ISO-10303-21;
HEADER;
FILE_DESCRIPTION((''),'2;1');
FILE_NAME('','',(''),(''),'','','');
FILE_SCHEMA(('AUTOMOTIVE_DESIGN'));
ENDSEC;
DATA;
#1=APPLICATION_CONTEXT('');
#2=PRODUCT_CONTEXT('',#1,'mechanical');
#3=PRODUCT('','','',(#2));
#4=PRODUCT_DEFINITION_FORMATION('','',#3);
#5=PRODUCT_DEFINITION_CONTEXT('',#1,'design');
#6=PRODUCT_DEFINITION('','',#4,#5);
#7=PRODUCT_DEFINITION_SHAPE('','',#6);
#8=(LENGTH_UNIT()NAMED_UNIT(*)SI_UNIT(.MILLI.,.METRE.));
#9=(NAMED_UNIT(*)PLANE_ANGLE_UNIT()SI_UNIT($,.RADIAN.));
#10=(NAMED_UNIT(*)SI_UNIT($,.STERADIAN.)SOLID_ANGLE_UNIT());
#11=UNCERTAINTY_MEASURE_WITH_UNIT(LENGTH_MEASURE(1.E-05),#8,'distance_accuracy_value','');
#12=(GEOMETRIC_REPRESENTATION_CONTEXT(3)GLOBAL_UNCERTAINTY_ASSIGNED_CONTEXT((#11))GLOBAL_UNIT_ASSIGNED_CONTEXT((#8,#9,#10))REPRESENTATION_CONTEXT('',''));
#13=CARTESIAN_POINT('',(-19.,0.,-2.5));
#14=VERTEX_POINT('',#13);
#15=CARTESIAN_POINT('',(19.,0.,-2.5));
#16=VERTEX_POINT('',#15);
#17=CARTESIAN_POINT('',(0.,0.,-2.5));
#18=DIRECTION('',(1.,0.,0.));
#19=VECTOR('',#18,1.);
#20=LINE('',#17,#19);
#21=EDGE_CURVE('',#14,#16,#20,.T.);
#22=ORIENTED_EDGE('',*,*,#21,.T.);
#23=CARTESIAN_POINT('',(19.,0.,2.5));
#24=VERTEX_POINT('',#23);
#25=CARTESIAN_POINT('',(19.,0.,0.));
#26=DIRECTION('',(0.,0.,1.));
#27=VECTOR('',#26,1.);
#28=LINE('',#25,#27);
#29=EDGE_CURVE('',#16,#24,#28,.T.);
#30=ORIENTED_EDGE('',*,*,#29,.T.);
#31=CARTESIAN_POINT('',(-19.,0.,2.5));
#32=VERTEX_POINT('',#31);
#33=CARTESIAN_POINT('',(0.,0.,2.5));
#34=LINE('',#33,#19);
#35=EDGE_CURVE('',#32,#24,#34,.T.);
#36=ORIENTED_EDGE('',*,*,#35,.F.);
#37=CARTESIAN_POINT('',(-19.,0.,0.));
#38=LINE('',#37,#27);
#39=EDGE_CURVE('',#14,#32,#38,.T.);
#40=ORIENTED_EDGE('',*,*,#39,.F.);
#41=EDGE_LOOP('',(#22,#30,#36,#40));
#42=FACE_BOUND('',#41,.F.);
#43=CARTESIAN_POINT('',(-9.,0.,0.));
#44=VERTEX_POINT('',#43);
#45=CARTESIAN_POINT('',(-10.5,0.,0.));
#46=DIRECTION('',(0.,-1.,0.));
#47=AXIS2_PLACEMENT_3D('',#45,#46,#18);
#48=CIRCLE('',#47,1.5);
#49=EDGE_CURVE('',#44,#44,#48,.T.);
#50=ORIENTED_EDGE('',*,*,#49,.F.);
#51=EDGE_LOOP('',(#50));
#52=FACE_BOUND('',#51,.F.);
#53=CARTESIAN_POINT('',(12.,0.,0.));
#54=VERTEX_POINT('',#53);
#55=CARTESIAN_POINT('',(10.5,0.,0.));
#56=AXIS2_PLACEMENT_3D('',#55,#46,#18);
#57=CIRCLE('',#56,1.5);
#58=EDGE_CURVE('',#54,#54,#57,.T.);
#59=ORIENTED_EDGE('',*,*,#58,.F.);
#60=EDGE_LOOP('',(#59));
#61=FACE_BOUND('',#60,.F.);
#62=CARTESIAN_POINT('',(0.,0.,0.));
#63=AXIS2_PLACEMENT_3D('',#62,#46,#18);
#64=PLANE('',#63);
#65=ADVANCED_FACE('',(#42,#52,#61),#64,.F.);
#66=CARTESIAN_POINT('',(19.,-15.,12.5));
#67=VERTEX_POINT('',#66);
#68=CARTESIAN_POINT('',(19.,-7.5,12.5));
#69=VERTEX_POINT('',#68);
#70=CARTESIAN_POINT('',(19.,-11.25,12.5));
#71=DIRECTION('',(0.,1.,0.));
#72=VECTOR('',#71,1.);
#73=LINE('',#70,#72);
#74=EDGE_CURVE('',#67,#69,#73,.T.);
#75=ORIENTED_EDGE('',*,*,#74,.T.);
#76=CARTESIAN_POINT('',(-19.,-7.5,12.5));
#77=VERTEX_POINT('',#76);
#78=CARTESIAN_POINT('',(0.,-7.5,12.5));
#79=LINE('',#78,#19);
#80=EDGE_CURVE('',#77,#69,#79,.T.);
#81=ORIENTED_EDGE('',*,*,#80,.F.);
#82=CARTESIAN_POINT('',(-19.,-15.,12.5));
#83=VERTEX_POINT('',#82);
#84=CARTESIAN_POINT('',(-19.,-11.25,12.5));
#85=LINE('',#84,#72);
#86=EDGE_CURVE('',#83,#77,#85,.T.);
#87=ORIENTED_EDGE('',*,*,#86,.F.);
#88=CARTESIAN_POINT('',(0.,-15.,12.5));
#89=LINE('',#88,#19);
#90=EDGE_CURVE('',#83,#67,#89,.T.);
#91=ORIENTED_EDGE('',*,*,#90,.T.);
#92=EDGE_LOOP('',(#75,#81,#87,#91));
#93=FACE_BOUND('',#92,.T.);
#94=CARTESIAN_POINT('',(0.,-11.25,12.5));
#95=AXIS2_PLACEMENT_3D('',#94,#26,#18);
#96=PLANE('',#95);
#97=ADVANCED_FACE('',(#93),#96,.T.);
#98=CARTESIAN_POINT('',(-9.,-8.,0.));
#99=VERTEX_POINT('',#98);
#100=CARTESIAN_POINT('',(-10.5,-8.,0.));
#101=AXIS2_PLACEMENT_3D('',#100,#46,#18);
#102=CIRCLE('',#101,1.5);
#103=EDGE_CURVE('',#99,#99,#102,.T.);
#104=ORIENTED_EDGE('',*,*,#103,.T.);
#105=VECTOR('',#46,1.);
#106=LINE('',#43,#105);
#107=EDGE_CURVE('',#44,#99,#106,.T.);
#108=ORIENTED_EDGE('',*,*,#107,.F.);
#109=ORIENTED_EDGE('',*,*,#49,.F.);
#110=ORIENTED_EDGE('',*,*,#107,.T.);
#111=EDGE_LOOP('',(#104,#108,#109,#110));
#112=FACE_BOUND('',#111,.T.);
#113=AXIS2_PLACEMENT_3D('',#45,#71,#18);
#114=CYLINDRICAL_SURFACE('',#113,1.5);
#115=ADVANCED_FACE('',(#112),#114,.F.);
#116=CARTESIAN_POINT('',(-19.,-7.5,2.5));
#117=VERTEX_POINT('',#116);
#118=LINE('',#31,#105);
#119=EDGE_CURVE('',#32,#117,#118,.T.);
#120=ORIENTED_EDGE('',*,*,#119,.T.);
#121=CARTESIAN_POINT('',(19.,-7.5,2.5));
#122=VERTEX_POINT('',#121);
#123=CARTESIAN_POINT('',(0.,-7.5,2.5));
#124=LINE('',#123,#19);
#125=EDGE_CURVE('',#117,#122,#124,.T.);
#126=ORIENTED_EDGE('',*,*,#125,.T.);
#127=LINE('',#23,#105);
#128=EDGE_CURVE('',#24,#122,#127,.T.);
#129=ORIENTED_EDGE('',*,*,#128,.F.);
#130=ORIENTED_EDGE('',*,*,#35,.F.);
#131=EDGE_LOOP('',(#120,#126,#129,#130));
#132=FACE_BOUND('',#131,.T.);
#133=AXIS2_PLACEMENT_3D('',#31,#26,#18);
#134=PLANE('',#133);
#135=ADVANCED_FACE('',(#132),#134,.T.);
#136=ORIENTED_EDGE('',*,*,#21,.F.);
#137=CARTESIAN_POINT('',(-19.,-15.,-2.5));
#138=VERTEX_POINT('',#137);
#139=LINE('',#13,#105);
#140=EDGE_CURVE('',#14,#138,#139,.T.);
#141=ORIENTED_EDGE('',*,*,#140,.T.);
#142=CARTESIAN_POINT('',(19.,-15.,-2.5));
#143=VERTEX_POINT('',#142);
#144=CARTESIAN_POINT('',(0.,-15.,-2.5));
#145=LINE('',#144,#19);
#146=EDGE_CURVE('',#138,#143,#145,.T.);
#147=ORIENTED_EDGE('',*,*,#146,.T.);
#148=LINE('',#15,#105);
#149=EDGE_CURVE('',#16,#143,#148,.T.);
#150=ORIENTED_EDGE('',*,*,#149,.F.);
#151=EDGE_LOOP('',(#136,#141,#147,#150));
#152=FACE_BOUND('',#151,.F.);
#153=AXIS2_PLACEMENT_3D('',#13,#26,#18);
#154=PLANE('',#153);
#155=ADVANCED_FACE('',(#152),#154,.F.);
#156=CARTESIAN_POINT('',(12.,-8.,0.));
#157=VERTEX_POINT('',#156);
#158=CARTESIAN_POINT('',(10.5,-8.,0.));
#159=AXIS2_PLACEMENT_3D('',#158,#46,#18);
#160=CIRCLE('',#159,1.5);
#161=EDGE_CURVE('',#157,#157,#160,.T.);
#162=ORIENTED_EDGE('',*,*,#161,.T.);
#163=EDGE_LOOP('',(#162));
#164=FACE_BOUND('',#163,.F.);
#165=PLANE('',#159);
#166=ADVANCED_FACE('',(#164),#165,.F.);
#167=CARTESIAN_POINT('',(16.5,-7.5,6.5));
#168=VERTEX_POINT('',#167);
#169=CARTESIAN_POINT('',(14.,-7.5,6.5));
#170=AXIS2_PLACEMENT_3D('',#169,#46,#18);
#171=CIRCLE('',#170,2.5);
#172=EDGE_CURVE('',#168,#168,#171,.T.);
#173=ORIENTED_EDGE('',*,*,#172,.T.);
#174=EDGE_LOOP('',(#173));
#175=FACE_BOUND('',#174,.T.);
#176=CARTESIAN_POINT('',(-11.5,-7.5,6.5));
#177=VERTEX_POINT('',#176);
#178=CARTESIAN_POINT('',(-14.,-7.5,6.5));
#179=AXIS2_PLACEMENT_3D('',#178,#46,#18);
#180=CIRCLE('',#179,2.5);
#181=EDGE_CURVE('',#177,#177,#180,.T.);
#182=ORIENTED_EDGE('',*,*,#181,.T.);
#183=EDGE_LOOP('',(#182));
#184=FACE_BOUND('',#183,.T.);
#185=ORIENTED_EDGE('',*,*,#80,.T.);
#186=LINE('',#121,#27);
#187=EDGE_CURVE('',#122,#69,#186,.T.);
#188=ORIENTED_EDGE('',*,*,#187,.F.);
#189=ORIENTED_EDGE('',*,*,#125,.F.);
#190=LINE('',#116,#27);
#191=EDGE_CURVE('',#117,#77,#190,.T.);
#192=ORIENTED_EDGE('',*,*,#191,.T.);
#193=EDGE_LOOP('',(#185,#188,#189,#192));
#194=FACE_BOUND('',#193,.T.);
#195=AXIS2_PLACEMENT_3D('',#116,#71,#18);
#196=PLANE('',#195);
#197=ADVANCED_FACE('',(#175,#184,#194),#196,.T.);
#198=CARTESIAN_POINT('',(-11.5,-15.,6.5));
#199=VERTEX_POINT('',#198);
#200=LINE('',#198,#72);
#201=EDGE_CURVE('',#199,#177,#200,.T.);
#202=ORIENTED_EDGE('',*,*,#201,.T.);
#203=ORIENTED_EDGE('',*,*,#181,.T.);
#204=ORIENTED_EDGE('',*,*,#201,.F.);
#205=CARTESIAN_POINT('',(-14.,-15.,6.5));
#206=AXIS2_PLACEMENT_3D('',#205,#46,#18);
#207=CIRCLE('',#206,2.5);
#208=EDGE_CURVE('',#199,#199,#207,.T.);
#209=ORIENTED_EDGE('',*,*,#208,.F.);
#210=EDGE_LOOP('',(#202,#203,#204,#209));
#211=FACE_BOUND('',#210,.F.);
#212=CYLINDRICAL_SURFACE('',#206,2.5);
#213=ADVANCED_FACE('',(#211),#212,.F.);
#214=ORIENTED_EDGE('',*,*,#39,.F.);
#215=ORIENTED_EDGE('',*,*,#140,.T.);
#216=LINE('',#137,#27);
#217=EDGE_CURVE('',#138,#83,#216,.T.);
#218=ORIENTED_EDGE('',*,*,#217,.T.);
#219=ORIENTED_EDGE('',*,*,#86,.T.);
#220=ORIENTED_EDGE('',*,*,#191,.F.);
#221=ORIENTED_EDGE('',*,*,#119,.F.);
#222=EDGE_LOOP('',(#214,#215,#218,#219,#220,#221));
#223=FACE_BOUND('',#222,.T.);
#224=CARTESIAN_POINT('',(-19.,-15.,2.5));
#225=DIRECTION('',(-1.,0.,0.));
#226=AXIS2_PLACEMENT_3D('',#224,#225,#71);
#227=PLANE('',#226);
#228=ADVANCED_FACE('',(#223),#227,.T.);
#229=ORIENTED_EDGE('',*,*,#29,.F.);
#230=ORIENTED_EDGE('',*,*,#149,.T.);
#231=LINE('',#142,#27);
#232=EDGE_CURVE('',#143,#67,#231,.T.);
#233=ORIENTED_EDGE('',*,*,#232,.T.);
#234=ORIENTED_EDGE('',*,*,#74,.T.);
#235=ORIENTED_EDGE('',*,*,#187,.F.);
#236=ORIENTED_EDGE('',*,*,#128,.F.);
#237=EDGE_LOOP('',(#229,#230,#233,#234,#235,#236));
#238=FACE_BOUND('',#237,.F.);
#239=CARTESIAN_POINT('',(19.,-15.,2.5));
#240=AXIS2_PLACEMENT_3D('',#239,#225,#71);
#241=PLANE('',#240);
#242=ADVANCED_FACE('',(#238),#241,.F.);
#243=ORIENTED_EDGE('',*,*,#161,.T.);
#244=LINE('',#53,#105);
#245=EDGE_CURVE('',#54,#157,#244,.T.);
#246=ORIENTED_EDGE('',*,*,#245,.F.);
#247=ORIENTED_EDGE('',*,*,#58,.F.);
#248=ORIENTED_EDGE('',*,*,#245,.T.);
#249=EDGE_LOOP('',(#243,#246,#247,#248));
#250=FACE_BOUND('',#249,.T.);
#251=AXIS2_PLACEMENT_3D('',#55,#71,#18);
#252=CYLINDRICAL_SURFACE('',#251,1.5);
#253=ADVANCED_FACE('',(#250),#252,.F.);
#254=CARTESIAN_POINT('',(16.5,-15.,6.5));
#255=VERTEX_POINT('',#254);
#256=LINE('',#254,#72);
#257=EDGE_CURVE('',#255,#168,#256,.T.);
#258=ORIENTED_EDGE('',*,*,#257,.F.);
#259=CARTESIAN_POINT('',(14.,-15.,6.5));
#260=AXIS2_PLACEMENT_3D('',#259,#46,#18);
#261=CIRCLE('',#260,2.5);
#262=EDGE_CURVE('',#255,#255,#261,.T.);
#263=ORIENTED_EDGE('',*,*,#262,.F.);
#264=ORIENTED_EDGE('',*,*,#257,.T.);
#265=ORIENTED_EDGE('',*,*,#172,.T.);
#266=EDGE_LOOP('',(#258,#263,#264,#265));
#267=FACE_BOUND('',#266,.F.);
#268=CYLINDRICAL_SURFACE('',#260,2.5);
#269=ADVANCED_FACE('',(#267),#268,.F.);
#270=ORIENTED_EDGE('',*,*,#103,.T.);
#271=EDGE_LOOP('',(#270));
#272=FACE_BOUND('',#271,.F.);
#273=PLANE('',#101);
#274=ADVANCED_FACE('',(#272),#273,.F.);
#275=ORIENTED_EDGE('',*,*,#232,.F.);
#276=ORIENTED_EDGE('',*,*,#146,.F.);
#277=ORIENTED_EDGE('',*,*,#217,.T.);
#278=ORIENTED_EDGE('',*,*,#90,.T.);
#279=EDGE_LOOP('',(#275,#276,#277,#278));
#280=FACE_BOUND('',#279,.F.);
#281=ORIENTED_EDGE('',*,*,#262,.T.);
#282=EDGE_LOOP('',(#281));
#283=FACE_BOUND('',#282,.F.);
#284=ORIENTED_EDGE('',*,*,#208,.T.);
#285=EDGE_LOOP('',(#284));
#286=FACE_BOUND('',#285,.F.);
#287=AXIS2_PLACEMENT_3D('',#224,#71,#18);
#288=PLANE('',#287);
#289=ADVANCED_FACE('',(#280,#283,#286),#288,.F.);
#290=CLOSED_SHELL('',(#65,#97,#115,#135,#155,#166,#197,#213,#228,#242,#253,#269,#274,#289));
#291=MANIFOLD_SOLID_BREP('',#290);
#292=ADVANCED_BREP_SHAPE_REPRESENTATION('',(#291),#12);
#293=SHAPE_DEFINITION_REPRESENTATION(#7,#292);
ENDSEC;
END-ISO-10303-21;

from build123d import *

# Parameters (mm, degrees)
F0_W     = 38
F0_H     = 5
F1_DEPTH = 15
F2_R     = 1.5
F3_DEPTH = 8
F4_W     = 38
F4_H     = 7.5
F5_DEPTH = 10
F6_R     = 2.5
F7_DEPTH = 10


with BuildPart() as f1:
    # F0 (on Front) → F1 (new body)
    with BuildSketch(Plane.XZ):
        Rectangle(F0_W, F0_H)
    extrude(amount=F1_DEPTH)

    # F2 (on face) → F3 (cut)
    with BuildSketch(Plane.XZ):
        with Locations((-10.5, 0)):
            Circle(F2_R)
        with Locations((10.5, 0)):
            Circle(F2_R)
    extrude(amount=F3_DEPTH, mode=Mode.SUBTRACT)

    # F4 (on face) → F5 (join)
    with BuildSketch(Plane.XY.offset(2.5)):
        with Locations((0, -11.25)):
            Rectangle(F4_W, F4_H)
    extrude(amount=F5_DEPTH)

    # F6 (on face) → F7 (cut)
    with BuildSketch(Plane.XZ.offset(15)):
        with Locations((-14, 6.5)):
            Circle(F6_R)
        with Locations((14, 6.5)):
            Circle(F6_R)
    extrude(amount=-F7_DEPTH, mode=Mode.SUBTRACT)


solid = f1.part
